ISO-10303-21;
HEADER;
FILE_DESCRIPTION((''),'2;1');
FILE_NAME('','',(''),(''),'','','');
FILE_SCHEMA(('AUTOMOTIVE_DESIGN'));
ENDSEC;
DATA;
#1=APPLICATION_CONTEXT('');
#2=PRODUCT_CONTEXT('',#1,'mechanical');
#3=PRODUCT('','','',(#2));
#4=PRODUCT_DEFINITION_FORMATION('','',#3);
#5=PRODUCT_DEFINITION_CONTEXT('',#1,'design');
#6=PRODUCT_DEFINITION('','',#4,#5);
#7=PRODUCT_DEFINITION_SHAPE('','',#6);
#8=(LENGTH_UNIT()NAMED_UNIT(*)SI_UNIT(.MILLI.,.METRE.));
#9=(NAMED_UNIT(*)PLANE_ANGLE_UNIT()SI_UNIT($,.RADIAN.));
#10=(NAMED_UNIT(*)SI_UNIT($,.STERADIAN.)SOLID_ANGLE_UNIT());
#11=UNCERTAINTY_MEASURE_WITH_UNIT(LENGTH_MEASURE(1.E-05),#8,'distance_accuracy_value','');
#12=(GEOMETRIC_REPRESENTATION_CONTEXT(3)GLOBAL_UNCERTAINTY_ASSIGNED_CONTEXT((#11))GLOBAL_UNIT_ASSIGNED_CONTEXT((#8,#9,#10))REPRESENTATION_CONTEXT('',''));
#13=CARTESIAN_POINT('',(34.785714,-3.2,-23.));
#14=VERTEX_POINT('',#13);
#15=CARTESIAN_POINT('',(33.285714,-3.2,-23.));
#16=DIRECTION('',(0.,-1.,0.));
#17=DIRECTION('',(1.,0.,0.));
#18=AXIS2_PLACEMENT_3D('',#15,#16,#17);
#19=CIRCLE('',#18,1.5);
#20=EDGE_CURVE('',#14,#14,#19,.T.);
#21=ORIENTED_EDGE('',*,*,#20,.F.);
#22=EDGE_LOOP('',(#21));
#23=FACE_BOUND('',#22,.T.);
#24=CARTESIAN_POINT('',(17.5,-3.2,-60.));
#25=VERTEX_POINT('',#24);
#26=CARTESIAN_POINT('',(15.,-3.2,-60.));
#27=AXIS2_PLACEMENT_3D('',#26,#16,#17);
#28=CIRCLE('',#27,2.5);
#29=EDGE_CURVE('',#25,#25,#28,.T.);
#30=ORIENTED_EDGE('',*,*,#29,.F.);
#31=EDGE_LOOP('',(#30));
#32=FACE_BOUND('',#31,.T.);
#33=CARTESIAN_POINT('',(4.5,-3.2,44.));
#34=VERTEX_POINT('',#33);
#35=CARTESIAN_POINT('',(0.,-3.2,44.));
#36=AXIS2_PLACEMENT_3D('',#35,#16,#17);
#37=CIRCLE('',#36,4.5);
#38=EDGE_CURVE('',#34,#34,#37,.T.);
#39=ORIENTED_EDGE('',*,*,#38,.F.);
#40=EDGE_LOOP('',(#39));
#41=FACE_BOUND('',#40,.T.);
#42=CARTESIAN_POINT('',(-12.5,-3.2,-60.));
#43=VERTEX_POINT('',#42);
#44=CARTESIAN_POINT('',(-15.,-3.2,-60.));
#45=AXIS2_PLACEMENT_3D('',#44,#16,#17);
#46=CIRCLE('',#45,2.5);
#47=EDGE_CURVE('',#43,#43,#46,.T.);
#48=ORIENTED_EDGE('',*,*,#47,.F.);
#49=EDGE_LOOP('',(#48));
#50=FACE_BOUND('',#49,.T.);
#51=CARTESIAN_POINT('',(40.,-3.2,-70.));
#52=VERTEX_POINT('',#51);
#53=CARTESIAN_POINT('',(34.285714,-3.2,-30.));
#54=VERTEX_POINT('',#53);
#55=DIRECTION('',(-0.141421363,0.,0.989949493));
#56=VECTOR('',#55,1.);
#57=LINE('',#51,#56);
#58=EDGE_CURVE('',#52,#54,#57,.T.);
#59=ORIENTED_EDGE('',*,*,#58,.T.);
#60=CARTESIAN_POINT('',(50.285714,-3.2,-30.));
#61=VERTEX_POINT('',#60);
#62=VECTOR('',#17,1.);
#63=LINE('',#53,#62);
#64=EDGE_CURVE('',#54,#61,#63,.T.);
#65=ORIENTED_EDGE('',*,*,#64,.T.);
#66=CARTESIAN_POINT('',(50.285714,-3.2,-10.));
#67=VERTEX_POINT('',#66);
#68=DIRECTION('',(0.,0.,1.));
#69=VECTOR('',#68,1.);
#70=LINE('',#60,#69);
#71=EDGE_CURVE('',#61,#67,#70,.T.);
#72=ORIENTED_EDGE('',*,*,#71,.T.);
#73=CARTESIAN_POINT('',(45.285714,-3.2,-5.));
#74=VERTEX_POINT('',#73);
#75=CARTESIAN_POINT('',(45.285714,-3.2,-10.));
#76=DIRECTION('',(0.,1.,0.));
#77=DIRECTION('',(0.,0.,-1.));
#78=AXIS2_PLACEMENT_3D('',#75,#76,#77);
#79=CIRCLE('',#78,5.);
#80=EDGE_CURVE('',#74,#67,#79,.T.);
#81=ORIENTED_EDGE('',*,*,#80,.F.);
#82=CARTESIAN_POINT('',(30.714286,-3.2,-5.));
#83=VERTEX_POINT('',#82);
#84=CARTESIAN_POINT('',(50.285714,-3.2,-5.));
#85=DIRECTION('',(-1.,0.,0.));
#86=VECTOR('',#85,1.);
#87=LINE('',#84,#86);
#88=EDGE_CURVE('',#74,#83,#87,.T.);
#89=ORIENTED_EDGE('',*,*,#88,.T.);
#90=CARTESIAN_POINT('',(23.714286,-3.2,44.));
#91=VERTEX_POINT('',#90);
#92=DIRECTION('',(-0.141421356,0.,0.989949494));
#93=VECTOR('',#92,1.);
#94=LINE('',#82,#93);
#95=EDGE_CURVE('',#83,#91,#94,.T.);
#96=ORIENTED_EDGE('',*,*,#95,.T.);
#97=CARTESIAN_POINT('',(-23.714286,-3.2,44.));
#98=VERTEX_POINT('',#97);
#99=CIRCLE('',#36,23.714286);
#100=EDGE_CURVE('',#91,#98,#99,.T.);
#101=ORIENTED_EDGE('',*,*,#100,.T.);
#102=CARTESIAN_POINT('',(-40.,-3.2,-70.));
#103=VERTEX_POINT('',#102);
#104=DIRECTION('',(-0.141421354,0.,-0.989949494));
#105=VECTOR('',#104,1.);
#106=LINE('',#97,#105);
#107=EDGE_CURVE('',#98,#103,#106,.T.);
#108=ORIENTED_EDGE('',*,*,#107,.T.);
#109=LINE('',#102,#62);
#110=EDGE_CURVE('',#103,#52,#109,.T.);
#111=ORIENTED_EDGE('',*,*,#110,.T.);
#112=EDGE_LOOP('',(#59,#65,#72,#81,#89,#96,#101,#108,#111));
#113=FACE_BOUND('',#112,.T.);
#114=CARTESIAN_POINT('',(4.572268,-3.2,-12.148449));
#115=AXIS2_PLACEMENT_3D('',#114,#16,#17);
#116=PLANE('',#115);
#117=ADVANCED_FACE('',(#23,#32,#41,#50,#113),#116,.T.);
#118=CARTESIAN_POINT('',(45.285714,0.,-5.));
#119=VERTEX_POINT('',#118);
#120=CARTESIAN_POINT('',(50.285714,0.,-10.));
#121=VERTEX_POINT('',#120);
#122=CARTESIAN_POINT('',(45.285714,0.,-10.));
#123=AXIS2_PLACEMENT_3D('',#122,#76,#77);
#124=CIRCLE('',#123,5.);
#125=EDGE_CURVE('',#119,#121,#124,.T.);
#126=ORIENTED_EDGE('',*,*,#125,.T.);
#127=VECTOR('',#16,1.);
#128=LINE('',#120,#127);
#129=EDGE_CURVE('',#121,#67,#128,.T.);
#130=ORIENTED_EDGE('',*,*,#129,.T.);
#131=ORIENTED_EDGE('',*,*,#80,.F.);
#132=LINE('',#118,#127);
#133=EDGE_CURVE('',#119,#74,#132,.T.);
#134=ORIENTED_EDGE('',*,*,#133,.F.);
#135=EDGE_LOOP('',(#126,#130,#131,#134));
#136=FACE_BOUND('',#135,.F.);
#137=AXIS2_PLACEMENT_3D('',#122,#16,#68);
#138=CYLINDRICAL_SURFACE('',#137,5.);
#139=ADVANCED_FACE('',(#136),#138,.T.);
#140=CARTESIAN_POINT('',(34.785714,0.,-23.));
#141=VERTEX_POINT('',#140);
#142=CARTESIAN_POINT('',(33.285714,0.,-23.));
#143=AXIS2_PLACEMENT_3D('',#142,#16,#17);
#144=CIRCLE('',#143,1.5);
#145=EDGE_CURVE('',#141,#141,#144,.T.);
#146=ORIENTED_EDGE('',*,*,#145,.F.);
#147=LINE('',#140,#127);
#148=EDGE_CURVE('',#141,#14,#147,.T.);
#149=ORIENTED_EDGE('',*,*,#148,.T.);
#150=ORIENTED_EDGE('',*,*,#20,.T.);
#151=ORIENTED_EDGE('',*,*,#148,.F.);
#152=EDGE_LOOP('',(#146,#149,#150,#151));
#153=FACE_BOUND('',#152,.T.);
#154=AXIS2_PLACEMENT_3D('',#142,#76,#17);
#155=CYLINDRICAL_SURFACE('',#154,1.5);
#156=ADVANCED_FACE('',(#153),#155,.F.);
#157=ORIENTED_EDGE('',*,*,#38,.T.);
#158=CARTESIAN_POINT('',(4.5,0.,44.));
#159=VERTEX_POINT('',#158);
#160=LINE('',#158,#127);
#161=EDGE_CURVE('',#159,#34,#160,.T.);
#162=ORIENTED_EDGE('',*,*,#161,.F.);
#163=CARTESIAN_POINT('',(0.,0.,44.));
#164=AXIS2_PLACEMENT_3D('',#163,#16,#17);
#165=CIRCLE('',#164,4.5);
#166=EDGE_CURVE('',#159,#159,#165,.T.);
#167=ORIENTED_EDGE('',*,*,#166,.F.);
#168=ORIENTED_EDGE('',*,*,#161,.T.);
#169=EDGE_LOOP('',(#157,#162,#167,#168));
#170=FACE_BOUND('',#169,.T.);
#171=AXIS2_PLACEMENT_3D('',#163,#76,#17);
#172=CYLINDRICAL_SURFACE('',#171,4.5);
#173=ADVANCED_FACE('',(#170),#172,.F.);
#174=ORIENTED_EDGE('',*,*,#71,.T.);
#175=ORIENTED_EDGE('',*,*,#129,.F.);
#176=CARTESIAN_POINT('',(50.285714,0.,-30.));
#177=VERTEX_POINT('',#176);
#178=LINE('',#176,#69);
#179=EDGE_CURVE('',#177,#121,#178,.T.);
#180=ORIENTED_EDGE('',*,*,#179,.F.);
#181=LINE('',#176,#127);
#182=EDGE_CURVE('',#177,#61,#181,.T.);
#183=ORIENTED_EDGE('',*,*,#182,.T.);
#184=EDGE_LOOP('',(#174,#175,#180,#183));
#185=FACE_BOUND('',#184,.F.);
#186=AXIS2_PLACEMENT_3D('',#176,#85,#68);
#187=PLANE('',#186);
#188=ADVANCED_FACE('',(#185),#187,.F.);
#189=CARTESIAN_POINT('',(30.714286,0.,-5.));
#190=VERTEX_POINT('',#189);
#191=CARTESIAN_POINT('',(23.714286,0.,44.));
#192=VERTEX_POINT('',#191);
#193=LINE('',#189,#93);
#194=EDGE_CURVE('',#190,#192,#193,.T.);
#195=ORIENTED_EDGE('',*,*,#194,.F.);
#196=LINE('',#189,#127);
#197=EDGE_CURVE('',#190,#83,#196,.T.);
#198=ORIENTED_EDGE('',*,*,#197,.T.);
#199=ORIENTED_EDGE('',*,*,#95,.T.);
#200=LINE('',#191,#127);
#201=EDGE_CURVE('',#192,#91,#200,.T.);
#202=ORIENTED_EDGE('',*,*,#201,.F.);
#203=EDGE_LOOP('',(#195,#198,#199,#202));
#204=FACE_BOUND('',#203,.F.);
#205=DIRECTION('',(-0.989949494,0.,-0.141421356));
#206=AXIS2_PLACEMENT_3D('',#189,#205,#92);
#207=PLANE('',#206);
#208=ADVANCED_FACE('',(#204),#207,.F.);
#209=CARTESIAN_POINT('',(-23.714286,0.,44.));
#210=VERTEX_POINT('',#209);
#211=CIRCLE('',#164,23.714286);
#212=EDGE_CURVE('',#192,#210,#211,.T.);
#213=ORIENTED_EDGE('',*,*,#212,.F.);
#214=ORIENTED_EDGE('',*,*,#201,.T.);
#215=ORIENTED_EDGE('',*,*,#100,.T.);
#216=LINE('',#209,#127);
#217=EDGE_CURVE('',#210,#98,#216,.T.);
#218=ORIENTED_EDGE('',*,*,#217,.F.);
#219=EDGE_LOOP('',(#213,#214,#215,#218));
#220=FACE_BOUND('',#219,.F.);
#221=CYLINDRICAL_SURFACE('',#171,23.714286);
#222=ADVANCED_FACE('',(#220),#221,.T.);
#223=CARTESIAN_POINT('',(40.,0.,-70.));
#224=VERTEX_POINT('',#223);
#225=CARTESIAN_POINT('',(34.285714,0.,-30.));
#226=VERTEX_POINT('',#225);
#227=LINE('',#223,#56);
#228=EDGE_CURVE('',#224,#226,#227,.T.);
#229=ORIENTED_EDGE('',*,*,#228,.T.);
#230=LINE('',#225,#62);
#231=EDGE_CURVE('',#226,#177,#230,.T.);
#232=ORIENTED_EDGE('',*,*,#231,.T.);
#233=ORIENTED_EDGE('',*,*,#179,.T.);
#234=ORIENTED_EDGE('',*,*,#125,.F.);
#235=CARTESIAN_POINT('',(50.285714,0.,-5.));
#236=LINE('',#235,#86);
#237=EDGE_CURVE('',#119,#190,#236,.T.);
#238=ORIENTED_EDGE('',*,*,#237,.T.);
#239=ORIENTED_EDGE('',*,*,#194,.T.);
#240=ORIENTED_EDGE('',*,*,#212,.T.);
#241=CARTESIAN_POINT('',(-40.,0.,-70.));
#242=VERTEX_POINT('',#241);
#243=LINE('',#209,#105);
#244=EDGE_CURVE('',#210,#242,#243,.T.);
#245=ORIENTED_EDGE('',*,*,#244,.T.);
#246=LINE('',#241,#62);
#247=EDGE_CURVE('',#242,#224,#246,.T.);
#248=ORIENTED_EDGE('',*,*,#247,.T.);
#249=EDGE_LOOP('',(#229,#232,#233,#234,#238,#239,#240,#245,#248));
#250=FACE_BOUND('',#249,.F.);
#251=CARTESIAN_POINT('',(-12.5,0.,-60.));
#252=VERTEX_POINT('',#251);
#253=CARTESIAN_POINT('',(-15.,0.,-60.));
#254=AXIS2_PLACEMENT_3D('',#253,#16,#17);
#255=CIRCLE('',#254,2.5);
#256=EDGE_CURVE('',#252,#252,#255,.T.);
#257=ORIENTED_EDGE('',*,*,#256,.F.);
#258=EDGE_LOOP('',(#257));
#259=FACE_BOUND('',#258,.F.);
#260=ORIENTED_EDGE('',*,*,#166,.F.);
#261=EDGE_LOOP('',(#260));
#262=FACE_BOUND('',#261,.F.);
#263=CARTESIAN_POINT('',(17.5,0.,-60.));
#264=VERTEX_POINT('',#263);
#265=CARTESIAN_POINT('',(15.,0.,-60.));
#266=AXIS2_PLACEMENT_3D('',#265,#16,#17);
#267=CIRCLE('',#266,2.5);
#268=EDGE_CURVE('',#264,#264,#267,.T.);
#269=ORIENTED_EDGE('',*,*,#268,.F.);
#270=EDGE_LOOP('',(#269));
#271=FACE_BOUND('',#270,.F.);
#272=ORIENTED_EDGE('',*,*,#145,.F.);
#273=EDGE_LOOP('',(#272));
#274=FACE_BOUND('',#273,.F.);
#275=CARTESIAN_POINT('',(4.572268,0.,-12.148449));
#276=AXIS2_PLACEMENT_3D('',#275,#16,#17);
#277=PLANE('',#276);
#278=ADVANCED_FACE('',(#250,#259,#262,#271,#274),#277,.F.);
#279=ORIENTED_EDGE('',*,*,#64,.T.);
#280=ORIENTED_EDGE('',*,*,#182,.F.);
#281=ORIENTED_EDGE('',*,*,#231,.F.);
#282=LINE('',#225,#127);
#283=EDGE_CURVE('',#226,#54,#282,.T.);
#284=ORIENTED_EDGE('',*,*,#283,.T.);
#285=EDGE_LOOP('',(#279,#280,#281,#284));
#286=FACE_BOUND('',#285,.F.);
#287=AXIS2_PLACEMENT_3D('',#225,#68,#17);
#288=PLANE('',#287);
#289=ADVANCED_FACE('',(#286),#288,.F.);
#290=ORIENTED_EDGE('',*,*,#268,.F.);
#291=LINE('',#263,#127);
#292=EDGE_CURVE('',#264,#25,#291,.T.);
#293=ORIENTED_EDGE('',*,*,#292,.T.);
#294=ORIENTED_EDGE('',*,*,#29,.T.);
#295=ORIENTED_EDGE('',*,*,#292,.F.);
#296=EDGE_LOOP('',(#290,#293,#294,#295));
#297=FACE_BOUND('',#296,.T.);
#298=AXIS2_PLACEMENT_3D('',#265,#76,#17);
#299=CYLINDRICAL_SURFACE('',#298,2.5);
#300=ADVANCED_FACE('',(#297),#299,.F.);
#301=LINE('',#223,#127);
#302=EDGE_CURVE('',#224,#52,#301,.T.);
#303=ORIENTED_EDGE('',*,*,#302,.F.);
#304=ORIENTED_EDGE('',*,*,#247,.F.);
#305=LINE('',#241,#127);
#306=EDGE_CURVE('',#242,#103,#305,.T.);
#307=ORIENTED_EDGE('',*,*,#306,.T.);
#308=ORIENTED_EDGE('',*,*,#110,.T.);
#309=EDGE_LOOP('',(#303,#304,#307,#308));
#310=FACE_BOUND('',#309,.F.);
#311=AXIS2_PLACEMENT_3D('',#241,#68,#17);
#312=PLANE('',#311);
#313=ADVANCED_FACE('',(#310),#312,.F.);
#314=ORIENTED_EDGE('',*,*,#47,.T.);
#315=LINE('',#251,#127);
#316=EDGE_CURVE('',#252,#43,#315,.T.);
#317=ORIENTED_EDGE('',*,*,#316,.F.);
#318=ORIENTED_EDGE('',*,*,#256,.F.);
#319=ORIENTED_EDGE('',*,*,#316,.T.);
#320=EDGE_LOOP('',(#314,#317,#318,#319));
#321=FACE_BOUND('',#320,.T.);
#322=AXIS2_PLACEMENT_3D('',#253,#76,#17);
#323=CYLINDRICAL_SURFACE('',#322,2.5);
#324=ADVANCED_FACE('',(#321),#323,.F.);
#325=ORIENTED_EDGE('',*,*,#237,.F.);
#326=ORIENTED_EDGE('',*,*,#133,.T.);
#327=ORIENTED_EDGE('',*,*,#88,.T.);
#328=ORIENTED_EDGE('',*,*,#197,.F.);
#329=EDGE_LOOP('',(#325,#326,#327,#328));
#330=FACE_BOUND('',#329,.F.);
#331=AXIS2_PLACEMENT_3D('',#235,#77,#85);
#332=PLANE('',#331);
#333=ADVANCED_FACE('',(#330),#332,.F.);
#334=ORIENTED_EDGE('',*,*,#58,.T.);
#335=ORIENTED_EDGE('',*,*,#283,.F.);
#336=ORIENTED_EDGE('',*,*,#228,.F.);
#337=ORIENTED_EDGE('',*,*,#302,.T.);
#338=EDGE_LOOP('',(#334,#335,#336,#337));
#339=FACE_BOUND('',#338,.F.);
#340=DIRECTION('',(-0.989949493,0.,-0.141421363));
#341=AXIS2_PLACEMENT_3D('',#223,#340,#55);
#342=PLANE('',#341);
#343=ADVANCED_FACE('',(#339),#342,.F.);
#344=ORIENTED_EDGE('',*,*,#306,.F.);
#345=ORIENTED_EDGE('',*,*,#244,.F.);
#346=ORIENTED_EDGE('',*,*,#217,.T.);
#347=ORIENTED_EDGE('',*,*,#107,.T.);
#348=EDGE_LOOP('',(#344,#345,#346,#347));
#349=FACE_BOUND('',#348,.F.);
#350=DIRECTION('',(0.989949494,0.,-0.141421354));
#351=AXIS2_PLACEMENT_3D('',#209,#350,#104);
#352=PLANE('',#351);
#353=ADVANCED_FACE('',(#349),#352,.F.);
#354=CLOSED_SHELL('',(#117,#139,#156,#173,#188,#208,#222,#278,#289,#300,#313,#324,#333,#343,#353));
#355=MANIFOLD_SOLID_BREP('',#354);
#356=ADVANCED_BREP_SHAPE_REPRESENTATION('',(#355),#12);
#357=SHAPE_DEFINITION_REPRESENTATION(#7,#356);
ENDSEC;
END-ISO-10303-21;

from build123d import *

# Parameters (mm, degrees)
F0_R     = 2.5
F0_R_2   = 1.5
F0_R_3   = 4.5
F1_DEPTH = 3.2
F2_R     = 5


with BuildPart() as f1:
    # F0 (on Front) → F1 (new body)
    with BuildSketch(Plane.XZ):
        with BuildLine():
            Line((-23.714286, 44), (-40, -70))
            Line((-40, -70), (40, -70))
            Line((40, -70), (34.285714, -30))
            Line((34.285714, -30), (50.285714, -30))
            Line((50.285714, -30), (50.285714, -5))
            Line((50.285714, -5), (30.714286, -5))
            Line((30.714286, -5), (23.714286, 44))
            ThreePointArc((23.714286, 44), (0, 67.714286), (-23.714286, 44))
        make_face()
        with Locations((-15, -60)):
            Circle(F0_R, mode=Mode.SUBTRACT)
        with Locations((15, -60)):
            Circle(F0_R, mode=Mode.SUBTRACT)
        with Locations((33.285714, -23)):
            Circle(F0_R_2, mode=Mode.SUBTRACT)
        with Locations((0, 44)):
            Circle(F0_R_3, mode=Mode.SUBTRACT)
    extrude(amount=F1_DEPTH)

    # F2
    f2_edges = [f1.edges().sort_by_distance(p)[0] for p in [
        (50.285714, -1.6, -5),
    ]]
    fillet(f2_edges, radius=F2_R)


solid = f1.part
